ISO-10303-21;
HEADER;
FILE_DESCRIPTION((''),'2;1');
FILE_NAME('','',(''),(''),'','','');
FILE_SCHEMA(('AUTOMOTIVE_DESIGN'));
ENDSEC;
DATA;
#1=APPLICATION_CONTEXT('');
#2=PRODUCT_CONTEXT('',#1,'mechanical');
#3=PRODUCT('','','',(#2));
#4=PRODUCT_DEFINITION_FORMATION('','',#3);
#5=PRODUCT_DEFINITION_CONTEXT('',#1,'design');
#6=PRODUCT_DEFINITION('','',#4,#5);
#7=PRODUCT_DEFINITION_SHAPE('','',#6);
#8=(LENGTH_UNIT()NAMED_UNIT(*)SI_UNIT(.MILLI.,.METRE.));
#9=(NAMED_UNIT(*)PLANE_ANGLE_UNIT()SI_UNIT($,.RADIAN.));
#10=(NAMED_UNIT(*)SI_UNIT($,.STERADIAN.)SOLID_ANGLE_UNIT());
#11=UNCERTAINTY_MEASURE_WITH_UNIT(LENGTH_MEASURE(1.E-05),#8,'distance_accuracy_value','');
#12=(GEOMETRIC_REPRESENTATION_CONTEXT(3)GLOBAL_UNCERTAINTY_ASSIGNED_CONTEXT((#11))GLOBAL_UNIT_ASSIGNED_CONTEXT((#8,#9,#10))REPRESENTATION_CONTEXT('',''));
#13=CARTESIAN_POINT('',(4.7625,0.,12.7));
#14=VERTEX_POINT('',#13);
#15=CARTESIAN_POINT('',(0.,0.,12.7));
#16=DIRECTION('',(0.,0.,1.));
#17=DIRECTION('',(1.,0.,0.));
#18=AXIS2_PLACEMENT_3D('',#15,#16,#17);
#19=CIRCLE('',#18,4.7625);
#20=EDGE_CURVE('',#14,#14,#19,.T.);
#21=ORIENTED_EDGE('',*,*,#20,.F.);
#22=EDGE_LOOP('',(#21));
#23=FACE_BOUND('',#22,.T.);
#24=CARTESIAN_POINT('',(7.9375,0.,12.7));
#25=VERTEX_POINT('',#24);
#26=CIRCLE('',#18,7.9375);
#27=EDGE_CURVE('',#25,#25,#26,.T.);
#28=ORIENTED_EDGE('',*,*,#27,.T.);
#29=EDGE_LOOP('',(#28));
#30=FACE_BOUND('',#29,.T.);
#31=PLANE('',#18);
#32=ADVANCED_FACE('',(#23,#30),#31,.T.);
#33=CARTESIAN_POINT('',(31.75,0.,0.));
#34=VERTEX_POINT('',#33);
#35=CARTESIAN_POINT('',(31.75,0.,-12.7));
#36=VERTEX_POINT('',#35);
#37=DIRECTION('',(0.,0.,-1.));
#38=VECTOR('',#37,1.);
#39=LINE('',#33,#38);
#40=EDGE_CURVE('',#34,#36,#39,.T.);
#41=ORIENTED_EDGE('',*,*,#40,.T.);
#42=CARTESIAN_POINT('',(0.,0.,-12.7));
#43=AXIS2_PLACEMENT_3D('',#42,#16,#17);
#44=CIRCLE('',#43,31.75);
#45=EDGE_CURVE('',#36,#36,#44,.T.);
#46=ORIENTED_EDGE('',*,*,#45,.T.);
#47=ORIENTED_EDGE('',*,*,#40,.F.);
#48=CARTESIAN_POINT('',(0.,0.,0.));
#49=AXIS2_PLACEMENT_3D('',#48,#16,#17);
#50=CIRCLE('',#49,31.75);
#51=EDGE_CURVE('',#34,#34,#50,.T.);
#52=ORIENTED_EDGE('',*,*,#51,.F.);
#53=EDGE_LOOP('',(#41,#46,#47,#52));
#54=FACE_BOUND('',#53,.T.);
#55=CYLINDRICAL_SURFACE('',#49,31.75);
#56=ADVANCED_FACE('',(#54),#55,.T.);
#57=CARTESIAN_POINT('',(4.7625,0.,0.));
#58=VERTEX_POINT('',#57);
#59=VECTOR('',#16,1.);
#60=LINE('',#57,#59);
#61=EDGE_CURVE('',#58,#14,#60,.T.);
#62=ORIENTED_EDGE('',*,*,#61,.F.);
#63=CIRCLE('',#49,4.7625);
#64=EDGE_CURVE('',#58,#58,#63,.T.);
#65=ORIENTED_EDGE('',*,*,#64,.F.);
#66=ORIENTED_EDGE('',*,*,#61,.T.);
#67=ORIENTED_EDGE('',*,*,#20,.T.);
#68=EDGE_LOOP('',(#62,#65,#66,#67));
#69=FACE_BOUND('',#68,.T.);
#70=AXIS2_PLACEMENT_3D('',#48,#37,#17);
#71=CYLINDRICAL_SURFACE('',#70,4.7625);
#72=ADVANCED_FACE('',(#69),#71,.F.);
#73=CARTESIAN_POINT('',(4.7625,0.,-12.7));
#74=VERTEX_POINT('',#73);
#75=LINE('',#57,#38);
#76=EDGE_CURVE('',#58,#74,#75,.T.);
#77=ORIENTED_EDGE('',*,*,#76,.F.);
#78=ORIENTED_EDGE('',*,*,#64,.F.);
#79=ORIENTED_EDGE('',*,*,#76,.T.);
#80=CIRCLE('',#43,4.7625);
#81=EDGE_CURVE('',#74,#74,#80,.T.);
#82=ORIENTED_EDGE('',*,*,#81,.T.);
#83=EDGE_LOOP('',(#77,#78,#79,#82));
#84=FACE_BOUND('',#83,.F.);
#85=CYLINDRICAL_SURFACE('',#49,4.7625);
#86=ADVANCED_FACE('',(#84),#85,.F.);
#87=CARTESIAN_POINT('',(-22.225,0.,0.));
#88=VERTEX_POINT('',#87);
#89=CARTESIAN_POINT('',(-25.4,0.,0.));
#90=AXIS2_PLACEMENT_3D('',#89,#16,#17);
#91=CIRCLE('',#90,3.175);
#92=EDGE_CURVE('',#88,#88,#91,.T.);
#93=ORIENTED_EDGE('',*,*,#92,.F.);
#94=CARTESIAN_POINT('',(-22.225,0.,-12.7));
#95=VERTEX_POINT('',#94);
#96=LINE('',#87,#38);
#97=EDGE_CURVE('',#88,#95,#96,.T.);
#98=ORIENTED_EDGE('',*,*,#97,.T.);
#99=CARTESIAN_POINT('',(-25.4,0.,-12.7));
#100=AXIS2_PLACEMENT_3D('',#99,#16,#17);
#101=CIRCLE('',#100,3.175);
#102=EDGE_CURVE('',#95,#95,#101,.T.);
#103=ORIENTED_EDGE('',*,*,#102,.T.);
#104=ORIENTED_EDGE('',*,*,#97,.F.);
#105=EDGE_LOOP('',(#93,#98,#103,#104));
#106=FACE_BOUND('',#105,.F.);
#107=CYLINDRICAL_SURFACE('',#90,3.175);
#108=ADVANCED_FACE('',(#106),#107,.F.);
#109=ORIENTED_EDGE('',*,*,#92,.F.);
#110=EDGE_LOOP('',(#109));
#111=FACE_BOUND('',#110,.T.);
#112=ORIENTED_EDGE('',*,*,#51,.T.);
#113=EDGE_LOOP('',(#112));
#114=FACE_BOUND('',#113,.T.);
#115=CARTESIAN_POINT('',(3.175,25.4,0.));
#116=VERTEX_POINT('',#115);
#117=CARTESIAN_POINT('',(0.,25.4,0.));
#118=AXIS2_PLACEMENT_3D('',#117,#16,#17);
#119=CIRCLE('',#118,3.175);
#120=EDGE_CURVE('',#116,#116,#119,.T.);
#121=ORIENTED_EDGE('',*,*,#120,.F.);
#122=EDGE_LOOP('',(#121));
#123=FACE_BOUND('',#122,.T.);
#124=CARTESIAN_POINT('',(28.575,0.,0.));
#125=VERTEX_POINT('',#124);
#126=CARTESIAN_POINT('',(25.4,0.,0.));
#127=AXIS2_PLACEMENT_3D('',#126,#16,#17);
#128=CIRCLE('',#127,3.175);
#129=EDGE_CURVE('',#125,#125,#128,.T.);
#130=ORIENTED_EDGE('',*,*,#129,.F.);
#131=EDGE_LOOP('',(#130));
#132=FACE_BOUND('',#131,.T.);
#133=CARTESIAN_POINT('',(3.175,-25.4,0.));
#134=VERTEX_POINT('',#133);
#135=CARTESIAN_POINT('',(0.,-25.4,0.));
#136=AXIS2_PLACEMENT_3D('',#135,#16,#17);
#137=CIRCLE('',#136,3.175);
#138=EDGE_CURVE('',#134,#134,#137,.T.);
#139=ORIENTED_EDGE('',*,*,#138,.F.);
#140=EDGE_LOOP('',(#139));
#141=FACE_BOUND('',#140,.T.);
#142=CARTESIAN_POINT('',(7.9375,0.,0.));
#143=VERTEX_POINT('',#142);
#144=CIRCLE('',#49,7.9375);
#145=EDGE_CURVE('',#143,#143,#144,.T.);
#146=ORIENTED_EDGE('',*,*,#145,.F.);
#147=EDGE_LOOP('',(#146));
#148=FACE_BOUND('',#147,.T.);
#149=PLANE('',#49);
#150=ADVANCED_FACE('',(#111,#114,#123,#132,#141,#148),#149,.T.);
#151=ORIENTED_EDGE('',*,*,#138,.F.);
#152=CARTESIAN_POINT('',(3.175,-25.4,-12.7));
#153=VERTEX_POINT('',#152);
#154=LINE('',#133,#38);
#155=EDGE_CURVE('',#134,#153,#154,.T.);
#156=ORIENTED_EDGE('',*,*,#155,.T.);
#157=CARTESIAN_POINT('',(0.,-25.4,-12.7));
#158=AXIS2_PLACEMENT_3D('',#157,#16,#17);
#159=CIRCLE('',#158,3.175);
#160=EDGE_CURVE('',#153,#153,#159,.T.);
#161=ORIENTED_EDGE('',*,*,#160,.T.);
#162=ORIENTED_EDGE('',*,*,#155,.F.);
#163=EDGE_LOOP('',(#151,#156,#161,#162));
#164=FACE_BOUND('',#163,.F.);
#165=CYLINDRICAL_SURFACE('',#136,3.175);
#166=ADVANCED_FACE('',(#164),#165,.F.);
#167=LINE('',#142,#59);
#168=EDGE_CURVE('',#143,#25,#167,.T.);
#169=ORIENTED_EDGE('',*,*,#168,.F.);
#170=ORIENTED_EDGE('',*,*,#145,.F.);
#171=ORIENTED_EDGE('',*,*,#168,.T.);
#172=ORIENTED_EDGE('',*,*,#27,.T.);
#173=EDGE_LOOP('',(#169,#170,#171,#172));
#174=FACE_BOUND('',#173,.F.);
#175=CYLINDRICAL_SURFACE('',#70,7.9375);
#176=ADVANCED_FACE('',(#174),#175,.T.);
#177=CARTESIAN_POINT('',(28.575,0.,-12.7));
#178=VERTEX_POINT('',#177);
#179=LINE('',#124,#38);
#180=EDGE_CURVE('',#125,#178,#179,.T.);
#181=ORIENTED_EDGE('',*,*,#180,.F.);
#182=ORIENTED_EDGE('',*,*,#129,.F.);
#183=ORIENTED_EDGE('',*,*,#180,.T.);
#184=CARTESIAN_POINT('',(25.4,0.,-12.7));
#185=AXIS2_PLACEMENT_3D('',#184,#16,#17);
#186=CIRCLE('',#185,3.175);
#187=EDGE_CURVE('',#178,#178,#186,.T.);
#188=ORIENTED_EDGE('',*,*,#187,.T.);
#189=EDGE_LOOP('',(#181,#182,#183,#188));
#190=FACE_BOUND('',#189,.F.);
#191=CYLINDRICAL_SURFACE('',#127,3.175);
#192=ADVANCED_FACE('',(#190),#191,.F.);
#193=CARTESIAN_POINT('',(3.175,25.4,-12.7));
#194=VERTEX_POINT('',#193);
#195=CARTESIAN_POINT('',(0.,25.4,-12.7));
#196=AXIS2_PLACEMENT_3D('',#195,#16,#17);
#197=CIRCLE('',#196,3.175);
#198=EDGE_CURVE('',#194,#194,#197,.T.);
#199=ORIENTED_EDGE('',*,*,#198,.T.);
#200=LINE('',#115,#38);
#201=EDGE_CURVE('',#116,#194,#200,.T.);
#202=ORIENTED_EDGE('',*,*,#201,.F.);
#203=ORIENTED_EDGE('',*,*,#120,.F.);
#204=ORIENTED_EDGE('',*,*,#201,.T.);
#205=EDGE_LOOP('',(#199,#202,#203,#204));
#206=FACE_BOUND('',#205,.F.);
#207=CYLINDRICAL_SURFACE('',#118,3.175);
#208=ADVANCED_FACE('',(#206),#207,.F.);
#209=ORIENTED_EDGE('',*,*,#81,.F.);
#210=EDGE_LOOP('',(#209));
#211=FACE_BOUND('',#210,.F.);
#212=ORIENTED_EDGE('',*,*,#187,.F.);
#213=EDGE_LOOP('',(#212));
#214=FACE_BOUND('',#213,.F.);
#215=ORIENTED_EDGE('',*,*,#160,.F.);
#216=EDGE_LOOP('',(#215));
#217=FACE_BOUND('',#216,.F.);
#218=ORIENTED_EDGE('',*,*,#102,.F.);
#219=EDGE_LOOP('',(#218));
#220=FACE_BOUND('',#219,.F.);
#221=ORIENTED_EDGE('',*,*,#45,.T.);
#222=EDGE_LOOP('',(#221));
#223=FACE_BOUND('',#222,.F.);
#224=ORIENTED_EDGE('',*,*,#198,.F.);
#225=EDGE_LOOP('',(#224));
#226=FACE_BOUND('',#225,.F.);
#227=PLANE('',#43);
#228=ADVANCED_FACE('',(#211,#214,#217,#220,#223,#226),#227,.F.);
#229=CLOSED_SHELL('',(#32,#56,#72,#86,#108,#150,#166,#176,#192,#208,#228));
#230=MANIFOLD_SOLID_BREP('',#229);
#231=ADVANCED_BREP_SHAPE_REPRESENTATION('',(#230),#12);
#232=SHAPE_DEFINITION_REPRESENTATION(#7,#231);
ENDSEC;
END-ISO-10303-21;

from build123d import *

# Parameters (mm, degrees)
F0_R      = 31.75
F1_DEPTH  = 12.7
F2_R      = 7.9375
F2_R_2    = 4.7625
F3_DEPTH  = 12.7
F3_FACE_R = 4.7625
F4_DEPTH  = 25.4
F5_R      = 3.175
F6_DEPTH  = 25.4


with BuildPart() as f1:
    # F0 (on Top) → F1 (new body)
    with BuildSketch(Plane.XY):
        Circle(F0_R)
    extrude(amount=-F1_DEPTH)

    # F2 (on face) → F3 (join)
    with BuildSketch(Plane.XY):
        Circle(F2_R)
        Circle(F2_R_2, mode=Mode.SUBTRACT)
    extrude(amount=F3_DEPTH)

    # F3_face (on face) → F4 (cut)
    with BuildSketch(Plane.XY):
        Circle(F3_FACE_R)
    extrude(amount=-F4_DEPTH, mode=Mode.SUBTRACT)

    # F5 (on face) → F6 (cut)
    with BuildSketch(Plane.XY):
        with Locations((-25.4, 0)):
            Circle(F5_R)
        with Locations((0, -25.4)):
            Circle(F5_R)
        with Locations((25.4, 0)):
            Circle(F5_R)
        with Locations((0, 25.4)):
            Circle(F5_R)
    extrude(amount=-F6_DEPTH, mode=Mode.SUBTRACT)


solid = f1.part
